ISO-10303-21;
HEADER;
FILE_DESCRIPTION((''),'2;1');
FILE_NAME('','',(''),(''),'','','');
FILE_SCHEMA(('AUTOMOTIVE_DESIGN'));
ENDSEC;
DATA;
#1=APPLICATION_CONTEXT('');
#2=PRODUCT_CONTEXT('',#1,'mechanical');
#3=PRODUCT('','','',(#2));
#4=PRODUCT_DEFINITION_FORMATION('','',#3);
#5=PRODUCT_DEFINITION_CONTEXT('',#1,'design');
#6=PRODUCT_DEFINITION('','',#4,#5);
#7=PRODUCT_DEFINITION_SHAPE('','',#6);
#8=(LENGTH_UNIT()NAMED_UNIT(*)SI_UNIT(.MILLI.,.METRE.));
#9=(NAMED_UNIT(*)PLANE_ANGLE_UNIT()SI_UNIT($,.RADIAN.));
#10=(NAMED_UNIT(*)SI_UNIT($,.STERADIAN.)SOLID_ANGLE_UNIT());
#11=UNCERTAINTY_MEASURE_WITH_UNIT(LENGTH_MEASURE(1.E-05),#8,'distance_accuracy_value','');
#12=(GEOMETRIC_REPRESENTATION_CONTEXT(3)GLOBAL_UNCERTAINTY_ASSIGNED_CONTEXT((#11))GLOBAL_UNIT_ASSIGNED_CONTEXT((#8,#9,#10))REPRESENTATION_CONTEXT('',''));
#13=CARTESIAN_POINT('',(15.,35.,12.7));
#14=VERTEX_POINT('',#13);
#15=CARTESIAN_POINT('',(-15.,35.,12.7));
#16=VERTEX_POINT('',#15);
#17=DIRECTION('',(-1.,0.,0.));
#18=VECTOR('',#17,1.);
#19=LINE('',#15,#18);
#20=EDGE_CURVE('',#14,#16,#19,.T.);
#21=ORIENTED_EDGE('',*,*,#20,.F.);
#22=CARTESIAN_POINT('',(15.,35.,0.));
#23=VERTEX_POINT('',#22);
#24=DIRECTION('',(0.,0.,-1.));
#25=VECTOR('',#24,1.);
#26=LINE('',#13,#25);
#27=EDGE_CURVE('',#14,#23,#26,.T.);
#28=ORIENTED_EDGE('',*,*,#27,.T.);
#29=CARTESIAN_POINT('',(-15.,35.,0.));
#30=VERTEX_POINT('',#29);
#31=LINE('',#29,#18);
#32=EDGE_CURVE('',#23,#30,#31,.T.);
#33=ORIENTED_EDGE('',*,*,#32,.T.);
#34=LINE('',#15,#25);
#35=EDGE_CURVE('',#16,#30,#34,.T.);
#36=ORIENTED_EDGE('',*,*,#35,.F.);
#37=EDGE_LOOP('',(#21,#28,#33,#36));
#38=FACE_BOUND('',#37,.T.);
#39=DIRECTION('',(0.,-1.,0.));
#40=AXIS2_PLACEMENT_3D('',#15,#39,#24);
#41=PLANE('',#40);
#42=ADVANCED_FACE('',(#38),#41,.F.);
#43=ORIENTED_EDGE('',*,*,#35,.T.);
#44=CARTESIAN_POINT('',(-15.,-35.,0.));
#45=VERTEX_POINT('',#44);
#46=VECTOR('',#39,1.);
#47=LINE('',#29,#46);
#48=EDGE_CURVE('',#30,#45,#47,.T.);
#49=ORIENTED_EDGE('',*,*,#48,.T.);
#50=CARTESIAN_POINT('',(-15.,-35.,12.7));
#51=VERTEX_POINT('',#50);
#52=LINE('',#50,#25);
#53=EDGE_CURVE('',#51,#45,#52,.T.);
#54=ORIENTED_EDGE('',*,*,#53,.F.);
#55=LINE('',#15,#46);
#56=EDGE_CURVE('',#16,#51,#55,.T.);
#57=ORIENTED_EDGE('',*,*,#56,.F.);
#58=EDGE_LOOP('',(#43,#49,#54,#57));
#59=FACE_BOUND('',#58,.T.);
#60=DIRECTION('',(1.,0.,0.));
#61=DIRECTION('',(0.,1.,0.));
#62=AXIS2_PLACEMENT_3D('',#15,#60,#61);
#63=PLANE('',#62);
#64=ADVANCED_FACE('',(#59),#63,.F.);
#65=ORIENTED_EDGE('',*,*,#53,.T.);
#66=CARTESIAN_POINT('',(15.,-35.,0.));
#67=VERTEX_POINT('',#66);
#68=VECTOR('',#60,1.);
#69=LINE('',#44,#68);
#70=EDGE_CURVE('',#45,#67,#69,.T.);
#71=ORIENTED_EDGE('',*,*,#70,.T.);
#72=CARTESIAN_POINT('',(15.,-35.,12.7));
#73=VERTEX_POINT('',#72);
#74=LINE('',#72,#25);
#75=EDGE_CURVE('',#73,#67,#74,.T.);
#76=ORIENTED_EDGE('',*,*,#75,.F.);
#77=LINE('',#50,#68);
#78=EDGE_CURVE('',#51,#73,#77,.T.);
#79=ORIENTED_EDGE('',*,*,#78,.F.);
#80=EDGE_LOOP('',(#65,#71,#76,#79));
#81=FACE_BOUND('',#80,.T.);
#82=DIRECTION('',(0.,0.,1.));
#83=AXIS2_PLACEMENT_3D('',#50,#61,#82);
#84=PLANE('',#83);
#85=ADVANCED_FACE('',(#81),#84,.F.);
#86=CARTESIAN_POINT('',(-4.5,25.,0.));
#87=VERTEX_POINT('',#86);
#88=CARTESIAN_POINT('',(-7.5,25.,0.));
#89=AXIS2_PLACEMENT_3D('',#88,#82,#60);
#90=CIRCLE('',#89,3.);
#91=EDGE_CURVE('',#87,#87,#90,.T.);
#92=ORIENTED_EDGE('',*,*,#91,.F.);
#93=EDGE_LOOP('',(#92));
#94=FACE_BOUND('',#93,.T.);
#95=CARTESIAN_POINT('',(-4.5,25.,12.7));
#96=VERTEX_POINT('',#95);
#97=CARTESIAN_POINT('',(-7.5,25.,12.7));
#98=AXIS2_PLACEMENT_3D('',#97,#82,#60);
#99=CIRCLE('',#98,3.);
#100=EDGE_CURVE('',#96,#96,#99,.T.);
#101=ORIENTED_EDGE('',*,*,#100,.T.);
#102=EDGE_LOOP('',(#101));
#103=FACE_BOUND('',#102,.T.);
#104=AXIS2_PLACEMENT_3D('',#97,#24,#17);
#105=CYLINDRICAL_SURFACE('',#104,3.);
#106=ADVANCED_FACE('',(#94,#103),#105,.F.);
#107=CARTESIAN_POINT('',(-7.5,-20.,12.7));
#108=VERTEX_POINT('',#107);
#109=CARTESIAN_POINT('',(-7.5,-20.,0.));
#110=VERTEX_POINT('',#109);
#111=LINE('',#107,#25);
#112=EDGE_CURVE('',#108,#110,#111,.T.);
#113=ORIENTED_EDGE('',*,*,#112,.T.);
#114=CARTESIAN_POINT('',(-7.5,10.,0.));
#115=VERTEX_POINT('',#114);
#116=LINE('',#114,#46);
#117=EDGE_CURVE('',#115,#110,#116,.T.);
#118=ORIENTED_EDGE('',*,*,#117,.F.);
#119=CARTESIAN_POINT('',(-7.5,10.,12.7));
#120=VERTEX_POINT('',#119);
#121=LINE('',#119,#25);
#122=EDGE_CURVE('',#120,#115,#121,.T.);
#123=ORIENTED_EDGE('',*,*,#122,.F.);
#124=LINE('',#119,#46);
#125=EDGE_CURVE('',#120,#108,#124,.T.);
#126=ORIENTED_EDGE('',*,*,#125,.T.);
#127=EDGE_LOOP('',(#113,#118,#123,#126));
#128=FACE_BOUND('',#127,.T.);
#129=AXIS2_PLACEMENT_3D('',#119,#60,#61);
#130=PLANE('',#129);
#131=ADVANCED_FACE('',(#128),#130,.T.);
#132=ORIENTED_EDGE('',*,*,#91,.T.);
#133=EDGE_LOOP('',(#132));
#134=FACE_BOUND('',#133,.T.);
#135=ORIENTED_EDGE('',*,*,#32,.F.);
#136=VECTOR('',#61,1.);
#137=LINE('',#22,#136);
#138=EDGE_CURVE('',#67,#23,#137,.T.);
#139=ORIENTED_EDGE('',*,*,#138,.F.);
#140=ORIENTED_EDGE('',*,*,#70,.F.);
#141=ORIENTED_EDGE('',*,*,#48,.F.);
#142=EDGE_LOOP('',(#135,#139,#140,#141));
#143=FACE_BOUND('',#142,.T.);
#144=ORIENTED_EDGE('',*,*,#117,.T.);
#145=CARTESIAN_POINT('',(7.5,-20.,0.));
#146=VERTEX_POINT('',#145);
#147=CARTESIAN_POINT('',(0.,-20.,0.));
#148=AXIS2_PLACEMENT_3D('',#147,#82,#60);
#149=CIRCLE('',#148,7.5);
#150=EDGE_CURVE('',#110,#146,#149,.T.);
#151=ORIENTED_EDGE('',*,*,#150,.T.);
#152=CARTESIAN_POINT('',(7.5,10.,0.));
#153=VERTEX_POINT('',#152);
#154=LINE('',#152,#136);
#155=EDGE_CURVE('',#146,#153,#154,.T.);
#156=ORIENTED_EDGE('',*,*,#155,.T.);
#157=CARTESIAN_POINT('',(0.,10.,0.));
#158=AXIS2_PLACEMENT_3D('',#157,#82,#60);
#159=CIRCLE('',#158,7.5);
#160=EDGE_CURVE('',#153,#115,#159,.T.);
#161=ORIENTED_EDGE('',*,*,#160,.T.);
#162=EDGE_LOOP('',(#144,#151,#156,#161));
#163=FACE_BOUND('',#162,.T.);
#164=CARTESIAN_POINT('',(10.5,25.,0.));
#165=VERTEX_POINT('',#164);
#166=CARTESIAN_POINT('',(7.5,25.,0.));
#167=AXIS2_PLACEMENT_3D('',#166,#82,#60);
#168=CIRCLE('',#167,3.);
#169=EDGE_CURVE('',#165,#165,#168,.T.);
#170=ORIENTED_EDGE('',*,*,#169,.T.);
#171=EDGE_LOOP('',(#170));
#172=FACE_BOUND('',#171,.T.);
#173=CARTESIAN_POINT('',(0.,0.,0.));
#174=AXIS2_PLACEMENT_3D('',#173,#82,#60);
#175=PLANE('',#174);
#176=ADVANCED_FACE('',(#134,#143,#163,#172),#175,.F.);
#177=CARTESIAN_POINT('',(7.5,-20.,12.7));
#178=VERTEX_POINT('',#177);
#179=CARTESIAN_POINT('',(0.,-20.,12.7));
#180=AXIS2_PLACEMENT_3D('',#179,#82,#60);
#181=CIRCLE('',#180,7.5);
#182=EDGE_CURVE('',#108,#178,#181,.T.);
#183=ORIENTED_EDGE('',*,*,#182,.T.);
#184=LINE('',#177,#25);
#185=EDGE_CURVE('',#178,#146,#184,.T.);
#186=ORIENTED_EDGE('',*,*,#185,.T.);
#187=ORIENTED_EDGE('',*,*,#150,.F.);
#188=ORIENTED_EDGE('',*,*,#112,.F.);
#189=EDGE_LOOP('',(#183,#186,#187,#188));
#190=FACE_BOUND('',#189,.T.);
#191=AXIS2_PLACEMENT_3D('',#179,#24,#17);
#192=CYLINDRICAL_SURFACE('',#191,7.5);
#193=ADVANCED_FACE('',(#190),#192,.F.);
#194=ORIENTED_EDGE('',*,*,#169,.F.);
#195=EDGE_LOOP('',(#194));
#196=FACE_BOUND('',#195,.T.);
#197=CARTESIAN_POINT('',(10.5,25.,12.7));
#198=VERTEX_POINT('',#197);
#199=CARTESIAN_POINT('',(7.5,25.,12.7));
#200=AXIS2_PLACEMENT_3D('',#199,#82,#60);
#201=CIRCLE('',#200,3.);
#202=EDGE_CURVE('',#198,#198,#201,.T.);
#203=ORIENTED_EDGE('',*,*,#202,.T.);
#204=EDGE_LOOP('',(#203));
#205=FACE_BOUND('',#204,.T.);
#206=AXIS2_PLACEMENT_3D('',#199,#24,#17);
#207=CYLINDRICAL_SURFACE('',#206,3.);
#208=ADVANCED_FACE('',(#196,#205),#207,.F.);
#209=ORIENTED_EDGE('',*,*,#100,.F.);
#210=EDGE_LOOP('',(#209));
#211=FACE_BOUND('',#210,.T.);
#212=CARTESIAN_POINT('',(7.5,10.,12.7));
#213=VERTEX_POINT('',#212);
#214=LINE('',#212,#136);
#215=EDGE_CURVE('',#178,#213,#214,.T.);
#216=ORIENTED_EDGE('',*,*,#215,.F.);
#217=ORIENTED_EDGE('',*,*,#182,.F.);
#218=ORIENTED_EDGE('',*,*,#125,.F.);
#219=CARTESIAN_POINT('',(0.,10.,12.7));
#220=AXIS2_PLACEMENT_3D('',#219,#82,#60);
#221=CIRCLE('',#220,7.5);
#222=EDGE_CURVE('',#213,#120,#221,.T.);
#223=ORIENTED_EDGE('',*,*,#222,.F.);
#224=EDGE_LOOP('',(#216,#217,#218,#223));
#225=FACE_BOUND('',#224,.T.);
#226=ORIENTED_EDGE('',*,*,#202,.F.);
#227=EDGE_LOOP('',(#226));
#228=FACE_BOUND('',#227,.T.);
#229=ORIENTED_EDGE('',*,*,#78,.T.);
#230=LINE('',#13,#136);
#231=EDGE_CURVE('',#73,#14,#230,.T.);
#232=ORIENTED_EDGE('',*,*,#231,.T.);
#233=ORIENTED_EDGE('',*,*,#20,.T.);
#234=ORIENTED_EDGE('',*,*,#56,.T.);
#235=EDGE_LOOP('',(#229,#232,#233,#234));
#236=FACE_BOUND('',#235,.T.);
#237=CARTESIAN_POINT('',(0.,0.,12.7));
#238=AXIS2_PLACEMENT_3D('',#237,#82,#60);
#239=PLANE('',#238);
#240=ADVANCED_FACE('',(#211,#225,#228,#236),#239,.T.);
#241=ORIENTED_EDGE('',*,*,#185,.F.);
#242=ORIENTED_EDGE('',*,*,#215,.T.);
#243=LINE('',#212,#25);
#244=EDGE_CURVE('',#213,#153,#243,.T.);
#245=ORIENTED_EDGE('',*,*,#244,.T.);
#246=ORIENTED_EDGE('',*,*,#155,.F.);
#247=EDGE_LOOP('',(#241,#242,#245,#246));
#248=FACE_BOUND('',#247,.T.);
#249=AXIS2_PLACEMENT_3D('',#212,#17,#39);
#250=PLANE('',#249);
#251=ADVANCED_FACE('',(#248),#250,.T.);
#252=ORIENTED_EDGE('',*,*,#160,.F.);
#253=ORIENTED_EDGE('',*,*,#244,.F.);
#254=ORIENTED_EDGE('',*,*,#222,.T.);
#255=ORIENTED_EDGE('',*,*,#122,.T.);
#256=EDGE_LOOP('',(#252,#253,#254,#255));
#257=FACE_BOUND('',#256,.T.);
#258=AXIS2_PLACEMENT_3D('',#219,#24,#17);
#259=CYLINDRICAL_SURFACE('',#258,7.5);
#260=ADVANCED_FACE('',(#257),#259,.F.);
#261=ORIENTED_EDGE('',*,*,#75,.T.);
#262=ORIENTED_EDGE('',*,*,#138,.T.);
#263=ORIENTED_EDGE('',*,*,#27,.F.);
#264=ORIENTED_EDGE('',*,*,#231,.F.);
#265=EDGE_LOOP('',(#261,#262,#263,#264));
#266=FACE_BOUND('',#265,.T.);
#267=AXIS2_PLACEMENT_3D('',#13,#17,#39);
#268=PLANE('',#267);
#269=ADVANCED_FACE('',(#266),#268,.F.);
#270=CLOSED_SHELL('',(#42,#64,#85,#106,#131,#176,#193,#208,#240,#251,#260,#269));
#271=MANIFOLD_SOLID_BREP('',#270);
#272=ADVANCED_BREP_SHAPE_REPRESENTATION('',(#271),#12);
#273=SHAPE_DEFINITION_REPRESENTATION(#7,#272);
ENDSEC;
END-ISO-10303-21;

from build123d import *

# Parameters (mm, degrees)
CROQUIS1_W              = 30
CROQUIS1_H              = 70
CROQUIS1_R              = 3
SALIENTE_EXTRUIR1_DEPTH = 12.7


with BuildPart() as part:
    # Croquis1 → Saliente-Extruir1 (new body)
    with BuildSketch(Plane.XY):
        Rectangle(CROQUIS1_W, CROQUIS1_H)
        with Locations((-7.5, 25)):
            Circle(CROQUIS1_R, mode=Mode.SUBTRACT)
        with Locations((7.5, 25)):
            Circle(CROQUIS1_R, mode=Mode.SUBTRACT)
        with BuildLine():
            Line((7.5, 10), (7.5, -20))
            ThreePointArc((7.5, -20), (0, -27.5), (-7.5, -20))
            Line((-7.5, -20), (-7.5, 10))
            ThreePointArc((-7.5, 10), (0, 17.5), (7.5, 10))
        make_face(mode=Mode.SUBTRACT)
    extrude(amount=SALIENTE_EXTRUIR1_DEPTH)


solid = part.part
